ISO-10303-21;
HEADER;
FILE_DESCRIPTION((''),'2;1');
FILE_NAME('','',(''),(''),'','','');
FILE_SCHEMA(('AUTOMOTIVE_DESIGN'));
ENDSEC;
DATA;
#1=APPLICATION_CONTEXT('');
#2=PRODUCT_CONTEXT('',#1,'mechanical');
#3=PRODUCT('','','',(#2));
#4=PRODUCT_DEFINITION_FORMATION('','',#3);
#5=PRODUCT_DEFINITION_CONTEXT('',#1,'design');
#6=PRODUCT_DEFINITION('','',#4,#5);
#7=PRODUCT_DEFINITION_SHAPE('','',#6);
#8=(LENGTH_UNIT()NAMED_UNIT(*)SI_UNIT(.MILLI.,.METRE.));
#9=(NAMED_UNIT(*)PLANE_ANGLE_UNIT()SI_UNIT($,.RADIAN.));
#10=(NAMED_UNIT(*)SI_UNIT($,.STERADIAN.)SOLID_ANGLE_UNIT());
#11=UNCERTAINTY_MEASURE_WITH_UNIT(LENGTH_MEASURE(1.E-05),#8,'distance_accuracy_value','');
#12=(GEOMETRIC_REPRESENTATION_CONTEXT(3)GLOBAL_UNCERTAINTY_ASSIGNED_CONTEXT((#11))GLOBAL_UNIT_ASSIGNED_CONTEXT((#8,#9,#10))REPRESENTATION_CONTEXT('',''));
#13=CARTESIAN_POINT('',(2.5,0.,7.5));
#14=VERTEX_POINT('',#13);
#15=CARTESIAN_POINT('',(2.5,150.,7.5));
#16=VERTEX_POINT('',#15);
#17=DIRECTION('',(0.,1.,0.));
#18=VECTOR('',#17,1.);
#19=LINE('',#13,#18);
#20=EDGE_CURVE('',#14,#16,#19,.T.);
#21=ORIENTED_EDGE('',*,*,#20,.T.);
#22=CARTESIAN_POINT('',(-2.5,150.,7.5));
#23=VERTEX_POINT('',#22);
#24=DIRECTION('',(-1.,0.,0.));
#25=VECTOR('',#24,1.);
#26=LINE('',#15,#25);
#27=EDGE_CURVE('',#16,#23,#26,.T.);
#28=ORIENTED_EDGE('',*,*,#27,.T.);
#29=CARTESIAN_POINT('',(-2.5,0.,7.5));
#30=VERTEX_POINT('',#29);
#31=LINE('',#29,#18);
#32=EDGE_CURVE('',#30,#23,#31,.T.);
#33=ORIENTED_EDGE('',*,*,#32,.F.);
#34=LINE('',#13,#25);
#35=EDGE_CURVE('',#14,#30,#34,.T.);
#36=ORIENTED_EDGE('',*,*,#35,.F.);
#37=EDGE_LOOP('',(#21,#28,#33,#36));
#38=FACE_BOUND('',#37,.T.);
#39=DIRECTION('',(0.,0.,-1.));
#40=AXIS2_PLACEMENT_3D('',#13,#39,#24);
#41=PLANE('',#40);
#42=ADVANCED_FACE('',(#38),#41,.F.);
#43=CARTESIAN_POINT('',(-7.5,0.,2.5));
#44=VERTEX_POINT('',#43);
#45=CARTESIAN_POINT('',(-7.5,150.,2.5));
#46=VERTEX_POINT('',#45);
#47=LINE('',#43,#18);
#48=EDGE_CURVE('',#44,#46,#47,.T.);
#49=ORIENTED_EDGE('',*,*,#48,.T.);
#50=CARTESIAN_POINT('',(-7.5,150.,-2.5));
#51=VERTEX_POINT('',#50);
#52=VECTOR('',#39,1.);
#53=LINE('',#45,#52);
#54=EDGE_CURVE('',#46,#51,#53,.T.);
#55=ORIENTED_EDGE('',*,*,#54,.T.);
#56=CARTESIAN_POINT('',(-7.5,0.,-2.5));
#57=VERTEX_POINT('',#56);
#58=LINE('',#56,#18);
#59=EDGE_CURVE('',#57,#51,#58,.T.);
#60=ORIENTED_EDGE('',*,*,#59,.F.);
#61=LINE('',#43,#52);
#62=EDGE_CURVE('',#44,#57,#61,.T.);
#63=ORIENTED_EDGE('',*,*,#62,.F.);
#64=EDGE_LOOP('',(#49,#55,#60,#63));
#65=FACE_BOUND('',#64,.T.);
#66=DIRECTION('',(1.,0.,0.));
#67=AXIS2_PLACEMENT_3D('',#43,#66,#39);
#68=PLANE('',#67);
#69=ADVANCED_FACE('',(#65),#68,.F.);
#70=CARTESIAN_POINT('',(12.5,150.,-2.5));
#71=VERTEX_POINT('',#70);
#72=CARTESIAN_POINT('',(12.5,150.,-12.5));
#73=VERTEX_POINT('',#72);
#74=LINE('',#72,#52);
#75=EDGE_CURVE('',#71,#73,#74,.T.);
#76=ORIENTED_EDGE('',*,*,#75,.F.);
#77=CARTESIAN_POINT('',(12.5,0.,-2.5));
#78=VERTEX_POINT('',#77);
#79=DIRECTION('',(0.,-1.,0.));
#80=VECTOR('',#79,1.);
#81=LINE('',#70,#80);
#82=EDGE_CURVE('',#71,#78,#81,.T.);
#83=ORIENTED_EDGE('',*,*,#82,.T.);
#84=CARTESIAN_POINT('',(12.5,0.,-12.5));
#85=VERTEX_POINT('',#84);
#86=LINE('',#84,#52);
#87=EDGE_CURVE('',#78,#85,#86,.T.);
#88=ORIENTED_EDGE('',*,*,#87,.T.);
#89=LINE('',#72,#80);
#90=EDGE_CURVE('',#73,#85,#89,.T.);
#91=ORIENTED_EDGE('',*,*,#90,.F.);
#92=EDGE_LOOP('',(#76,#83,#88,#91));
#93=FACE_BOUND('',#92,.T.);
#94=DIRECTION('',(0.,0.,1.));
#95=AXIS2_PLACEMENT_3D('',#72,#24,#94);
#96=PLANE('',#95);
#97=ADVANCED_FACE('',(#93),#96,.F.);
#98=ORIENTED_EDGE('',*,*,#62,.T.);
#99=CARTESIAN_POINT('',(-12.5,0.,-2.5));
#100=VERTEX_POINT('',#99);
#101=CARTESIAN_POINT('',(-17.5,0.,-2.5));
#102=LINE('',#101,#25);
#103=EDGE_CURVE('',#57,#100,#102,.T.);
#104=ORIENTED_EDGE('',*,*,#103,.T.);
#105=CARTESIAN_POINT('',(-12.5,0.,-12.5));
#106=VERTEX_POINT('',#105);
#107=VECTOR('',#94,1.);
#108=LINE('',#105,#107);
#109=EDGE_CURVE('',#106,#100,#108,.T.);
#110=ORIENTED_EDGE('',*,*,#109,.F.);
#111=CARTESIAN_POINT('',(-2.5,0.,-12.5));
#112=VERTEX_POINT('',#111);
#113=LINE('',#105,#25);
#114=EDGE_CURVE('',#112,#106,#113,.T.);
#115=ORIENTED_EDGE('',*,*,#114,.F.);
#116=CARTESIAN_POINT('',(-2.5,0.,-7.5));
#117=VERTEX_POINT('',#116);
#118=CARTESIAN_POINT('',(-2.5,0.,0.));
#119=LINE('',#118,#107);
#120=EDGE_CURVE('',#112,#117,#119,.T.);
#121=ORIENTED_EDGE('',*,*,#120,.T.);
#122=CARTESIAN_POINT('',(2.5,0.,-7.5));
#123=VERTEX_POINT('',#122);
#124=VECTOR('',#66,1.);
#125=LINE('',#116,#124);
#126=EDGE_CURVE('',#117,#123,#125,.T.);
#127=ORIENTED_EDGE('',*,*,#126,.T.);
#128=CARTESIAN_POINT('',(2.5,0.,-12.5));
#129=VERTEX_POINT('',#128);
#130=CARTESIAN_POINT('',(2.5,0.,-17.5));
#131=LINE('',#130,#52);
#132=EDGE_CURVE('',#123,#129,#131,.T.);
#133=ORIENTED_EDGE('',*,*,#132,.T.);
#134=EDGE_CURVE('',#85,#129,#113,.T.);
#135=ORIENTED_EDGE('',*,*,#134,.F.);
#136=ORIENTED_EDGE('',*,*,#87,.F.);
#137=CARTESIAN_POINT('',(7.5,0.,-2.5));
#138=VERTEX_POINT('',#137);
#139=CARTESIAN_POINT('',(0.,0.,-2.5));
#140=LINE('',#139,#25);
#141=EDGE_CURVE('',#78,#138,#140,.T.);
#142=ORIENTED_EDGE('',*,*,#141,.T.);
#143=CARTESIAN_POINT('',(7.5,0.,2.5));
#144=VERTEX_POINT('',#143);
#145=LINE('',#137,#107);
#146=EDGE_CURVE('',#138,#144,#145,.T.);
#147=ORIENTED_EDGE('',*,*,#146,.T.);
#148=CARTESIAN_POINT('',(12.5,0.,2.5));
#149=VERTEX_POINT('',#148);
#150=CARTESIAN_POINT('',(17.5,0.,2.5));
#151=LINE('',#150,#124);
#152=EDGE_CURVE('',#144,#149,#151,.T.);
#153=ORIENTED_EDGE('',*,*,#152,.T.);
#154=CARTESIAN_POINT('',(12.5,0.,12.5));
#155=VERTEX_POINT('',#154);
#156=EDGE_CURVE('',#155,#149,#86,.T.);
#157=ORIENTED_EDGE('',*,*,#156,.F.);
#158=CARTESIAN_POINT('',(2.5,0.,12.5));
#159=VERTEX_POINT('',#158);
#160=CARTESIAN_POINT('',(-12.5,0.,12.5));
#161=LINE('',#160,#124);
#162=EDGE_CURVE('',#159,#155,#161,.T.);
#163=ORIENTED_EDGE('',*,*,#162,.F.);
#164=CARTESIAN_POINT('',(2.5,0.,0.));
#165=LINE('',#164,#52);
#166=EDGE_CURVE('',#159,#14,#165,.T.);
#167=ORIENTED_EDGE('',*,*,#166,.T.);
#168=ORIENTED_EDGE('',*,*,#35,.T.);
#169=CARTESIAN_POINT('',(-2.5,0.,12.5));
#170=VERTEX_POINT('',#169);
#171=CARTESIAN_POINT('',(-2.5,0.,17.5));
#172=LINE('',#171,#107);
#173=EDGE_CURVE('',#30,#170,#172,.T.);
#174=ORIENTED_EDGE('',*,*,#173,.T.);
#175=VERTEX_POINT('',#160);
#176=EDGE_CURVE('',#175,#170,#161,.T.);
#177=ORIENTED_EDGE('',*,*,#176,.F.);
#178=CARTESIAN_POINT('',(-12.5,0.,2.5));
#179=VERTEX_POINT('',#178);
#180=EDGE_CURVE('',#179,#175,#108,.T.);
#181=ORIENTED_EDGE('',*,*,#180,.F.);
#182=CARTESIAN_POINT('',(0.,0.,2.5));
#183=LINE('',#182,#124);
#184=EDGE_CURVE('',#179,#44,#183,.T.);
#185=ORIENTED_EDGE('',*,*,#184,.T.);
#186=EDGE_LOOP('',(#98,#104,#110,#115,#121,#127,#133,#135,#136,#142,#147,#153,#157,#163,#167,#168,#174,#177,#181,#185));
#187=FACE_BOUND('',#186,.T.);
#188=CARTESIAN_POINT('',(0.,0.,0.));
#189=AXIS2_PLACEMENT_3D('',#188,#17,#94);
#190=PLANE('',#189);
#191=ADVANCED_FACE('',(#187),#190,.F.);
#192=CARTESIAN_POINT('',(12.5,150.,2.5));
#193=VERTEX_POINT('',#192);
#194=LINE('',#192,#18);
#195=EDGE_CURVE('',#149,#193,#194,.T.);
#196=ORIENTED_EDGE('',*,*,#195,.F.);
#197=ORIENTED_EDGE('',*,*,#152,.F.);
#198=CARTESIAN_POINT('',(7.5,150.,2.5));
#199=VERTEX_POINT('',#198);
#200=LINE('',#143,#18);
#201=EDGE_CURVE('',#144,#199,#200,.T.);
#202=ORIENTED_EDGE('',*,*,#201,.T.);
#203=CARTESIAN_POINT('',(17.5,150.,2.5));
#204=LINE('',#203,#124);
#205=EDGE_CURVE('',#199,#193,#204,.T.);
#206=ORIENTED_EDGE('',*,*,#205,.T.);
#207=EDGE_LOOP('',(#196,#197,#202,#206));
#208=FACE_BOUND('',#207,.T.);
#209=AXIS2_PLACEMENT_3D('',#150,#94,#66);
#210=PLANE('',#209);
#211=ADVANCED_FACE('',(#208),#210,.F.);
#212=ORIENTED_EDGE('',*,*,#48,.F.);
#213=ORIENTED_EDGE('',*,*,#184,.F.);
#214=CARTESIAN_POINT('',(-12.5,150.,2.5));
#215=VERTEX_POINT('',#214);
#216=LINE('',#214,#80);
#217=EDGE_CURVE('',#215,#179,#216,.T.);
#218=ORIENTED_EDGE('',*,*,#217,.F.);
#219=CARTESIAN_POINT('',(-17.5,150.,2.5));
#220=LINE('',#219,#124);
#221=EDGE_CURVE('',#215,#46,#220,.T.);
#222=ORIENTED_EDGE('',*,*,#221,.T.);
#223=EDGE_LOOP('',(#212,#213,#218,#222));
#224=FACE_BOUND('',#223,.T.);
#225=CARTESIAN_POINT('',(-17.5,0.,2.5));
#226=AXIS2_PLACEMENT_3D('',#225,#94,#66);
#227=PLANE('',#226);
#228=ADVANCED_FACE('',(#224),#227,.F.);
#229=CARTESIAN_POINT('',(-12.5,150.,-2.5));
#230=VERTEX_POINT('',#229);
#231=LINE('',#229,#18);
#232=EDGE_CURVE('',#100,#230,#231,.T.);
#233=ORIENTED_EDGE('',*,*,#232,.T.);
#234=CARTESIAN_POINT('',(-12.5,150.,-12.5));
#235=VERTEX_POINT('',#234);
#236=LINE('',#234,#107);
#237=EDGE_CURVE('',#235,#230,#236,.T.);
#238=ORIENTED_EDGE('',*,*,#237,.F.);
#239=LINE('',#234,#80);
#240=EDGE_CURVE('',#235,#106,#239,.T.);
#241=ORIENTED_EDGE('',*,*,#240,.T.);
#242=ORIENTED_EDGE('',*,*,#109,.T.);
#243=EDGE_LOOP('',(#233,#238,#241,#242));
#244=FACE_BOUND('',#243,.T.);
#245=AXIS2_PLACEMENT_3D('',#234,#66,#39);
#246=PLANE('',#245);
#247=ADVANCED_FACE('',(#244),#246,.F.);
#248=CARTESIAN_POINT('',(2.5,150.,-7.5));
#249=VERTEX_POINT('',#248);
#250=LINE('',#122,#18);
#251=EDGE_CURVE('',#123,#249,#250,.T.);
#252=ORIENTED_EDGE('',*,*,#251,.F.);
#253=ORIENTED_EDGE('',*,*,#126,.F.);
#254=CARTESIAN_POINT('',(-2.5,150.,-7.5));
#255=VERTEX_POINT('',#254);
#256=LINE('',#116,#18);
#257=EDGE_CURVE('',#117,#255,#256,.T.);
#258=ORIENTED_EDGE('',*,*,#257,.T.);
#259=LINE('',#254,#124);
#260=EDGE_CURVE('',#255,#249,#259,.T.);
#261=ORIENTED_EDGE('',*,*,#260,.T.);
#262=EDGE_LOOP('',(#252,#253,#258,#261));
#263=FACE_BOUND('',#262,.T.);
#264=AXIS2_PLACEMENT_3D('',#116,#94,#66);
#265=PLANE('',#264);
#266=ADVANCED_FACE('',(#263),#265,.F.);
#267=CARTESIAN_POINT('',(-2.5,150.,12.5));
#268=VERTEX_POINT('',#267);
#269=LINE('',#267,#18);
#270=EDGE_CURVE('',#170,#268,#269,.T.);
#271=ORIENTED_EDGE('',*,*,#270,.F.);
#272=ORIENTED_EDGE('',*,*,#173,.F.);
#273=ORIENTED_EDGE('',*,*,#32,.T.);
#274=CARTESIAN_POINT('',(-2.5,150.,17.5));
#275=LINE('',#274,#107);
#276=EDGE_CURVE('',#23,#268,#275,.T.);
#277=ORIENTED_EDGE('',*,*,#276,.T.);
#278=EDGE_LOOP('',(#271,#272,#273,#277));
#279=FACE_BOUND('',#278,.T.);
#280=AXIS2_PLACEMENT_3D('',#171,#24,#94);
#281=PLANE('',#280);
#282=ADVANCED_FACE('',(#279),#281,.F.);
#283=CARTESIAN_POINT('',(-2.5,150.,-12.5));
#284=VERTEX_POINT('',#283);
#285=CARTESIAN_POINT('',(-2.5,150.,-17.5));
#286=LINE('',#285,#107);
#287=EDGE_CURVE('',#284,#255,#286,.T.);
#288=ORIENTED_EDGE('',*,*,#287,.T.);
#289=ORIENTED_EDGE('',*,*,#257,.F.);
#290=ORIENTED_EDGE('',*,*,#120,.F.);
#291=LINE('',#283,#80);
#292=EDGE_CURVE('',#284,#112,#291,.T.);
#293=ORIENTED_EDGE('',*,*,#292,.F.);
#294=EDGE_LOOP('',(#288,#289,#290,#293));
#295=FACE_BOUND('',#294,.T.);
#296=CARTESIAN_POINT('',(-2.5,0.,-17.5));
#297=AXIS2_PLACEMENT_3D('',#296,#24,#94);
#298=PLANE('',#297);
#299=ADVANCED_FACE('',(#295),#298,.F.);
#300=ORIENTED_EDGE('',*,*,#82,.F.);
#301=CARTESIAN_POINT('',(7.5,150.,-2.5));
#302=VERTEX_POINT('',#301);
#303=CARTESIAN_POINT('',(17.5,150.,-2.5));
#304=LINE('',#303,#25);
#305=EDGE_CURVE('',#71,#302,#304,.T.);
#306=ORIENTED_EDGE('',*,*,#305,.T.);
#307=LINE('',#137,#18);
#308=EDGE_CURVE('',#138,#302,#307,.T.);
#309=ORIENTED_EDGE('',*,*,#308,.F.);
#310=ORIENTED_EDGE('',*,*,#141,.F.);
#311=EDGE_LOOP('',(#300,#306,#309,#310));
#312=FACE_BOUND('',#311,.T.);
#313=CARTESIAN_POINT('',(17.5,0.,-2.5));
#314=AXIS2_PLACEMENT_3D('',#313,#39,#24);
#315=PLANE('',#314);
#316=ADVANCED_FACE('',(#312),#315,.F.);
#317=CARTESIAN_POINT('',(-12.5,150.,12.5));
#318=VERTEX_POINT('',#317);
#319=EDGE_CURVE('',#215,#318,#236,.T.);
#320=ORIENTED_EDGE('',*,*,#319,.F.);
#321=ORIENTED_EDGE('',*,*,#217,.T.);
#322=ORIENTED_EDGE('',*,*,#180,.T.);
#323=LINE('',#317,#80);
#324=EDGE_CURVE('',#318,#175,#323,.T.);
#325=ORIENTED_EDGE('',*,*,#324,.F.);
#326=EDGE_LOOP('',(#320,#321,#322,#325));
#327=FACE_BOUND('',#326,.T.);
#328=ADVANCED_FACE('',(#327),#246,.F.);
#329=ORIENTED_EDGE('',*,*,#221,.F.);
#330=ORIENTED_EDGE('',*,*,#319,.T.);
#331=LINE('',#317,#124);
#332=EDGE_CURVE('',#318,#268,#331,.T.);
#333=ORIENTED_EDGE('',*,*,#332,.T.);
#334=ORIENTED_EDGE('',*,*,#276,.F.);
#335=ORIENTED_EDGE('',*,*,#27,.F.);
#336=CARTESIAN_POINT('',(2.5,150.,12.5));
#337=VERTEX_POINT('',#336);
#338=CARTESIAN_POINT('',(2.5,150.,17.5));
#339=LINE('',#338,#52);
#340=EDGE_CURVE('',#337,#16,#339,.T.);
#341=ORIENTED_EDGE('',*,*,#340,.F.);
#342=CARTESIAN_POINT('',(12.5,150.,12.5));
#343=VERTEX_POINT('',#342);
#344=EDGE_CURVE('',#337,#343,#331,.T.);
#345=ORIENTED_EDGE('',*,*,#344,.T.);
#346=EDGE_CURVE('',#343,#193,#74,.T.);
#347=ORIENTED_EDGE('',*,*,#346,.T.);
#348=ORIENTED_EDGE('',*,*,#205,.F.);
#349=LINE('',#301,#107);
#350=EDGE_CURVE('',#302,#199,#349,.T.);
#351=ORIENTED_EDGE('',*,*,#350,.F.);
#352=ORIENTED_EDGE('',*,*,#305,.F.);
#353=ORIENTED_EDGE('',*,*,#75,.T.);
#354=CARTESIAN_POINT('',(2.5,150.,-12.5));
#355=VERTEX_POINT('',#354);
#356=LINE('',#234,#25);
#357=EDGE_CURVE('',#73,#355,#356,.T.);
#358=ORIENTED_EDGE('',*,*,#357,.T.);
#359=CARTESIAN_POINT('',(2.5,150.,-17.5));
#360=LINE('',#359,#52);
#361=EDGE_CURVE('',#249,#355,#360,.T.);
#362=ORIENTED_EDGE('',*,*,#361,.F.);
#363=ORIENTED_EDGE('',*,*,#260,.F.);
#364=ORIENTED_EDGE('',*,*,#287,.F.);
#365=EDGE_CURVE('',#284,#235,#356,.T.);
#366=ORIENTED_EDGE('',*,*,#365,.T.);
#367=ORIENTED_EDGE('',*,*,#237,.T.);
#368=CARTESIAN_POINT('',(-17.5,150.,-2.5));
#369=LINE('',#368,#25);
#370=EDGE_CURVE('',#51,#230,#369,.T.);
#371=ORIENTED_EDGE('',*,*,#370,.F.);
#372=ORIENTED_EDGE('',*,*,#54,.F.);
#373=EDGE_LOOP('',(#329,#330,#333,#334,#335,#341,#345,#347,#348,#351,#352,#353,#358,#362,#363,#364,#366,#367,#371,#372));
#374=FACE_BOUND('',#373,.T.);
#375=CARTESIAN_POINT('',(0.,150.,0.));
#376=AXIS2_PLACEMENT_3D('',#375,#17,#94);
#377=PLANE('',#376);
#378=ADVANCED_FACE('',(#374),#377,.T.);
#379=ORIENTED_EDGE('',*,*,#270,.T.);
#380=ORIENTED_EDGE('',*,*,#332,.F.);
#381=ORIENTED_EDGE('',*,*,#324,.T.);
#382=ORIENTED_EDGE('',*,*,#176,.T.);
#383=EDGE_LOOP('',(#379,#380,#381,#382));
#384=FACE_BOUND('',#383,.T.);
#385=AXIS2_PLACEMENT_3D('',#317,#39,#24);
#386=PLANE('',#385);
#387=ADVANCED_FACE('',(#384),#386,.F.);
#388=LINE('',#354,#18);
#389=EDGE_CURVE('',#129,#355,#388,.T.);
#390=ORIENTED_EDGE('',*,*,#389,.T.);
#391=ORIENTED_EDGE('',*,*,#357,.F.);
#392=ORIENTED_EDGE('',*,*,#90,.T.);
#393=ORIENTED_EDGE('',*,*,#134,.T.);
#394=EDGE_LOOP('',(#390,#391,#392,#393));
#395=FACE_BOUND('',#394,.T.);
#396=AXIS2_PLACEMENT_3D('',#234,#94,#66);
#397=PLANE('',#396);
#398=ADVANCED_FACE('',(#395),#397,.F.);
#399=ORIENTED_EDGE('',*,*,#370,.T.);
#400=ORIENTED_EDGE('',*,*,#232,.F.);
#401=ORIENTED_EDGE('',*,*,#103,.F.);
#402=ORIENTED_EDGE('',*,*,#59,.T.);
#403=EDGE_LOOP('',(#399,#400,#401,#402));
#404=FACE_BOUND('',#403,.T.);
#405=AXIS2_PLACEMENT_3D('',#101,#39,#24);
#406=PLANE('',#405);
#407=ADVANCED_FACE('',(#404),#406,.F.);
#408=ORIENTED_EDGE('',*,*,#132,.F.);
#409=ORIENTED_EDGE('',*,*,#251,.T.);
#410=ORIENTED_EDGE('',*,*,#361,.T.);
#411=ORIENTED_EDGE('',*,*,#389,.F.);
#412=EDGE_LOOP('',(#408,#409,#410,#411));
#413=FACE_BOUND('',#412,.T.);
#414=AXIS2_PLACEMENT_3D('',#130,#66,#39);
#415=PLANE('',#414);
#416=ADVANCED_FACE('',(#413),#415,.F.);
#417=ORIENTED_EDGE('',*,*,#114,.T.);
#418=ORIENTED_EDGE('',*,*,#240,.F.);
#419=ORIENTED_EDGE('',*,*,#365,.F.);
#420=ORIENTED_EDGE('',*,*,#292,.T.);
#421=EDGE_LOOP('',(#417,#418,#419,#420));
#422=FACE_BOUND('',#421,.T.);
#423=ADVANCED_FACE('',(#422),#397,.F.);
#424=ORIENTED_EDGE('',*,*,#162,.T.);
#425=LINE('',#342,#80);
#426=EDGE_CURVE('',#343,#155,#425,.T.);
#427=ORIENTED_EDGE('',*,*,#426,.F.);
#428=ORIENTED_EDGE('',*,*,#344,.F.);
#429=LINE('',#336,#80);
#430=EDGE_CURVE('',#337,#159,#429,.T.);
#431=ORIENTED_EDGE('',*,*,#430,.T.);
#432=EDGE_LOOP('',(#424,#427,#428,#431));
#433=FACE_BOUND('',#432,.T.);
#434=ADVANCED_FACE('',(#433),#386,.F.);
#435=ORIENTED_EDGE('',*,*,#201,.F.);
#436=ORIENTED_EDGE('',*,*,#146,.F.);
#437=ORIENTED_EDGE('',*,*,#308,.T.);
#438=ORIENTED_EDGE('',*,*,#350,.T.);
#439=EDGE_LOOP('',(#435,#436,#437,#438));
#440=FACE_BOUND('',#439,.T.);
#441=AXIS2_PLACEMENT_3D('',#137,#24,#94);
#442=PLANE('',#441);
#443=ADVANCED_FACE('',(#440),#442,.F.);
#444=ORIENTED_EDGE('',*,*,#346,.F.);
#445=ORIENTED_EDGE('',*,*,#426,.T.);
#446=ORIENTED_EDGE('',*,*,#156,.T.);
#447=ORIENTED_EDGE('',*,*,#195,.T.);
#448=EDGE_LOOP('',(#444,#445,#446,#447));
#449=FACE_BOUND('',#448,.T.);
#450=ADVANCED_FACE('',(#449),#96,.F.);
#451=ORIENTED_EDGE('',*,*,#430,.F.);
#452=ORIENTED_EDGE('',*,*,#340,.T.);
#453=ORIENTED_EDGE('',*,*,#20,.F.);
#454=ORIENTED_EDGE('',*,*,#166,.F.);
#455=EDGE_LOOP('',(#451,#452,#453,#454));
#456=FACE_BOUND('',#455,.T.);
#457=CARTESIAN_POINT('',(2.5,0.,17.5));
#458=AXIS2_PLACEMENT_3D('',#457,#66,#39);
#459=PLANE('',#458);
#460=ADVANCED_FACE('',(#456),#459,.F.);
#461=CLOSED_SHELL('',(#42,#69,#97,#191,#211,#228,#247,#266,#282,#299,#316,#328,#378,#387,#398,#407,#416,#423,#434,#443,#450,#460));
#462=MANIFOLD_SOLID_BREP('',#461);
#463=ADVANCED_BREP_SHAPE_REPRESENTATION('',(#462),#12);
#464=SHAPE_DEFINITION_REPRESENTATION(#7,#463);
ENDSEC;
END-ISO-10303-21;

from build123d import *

# Parameters (mm, degrees)
SKIZZE1_W                       = 25
SKIZZE1_H                       = 25
AUFSATZ_LINEAR_AUSTRAGEN1_DEPTH = 150
SKIZZE2_W                       = 5
SKIZZE2_H                       = 10
SKIZZE2_W_2                     = 10
SKIZZE2_H_2                     = 5
SCHNITT_LINEAR_AUSTRAGEN1_DEPTH = 150


with BuildPart() as part:
    # Skizze1 → Aufsatz-Linear austragen1 (new body)
    with BuildSketch(Plane(origin=(0, 0, 0), x_dir=(1, 0, 0), z_dir=(0, 1, 0))):
        Rectangle(SKIZZE1_W, SKIZZE1_H)
    extrude(amount=AUFSATZ_LINEAR_AUSTRAGEN1_DEPTH)

    # Skizze2 → Schnitt-Linear austragen1 (cut)
    with BuildSketch(Plane(origin=(0, 150, 0), x_dir=(1, 0, 0), z_dir=(0, 1, 0))):
        with Locations((0, 12.5)):
            Rectangle(SKIZZE2_W, SKIZZE2_H)
        with Locations((12.5, 0)):
            Rectangle(SKIZZE2_W_2, SKIZZE2_H_2)
        with Locations((0, -12.5)):
            Rectangle(SKIZZE2_W, SKIZZE2_H)
        with Locations((-12.5, 0)):
            Rectangle(SKIZZE2_W_2, SKIZZE2_H_2)
    extrude(amount=-SCHNITT_LINEAR_AUSTRAGEN1_DEPTH, mode=Mode.SUBTRACT)


solid = part.part
